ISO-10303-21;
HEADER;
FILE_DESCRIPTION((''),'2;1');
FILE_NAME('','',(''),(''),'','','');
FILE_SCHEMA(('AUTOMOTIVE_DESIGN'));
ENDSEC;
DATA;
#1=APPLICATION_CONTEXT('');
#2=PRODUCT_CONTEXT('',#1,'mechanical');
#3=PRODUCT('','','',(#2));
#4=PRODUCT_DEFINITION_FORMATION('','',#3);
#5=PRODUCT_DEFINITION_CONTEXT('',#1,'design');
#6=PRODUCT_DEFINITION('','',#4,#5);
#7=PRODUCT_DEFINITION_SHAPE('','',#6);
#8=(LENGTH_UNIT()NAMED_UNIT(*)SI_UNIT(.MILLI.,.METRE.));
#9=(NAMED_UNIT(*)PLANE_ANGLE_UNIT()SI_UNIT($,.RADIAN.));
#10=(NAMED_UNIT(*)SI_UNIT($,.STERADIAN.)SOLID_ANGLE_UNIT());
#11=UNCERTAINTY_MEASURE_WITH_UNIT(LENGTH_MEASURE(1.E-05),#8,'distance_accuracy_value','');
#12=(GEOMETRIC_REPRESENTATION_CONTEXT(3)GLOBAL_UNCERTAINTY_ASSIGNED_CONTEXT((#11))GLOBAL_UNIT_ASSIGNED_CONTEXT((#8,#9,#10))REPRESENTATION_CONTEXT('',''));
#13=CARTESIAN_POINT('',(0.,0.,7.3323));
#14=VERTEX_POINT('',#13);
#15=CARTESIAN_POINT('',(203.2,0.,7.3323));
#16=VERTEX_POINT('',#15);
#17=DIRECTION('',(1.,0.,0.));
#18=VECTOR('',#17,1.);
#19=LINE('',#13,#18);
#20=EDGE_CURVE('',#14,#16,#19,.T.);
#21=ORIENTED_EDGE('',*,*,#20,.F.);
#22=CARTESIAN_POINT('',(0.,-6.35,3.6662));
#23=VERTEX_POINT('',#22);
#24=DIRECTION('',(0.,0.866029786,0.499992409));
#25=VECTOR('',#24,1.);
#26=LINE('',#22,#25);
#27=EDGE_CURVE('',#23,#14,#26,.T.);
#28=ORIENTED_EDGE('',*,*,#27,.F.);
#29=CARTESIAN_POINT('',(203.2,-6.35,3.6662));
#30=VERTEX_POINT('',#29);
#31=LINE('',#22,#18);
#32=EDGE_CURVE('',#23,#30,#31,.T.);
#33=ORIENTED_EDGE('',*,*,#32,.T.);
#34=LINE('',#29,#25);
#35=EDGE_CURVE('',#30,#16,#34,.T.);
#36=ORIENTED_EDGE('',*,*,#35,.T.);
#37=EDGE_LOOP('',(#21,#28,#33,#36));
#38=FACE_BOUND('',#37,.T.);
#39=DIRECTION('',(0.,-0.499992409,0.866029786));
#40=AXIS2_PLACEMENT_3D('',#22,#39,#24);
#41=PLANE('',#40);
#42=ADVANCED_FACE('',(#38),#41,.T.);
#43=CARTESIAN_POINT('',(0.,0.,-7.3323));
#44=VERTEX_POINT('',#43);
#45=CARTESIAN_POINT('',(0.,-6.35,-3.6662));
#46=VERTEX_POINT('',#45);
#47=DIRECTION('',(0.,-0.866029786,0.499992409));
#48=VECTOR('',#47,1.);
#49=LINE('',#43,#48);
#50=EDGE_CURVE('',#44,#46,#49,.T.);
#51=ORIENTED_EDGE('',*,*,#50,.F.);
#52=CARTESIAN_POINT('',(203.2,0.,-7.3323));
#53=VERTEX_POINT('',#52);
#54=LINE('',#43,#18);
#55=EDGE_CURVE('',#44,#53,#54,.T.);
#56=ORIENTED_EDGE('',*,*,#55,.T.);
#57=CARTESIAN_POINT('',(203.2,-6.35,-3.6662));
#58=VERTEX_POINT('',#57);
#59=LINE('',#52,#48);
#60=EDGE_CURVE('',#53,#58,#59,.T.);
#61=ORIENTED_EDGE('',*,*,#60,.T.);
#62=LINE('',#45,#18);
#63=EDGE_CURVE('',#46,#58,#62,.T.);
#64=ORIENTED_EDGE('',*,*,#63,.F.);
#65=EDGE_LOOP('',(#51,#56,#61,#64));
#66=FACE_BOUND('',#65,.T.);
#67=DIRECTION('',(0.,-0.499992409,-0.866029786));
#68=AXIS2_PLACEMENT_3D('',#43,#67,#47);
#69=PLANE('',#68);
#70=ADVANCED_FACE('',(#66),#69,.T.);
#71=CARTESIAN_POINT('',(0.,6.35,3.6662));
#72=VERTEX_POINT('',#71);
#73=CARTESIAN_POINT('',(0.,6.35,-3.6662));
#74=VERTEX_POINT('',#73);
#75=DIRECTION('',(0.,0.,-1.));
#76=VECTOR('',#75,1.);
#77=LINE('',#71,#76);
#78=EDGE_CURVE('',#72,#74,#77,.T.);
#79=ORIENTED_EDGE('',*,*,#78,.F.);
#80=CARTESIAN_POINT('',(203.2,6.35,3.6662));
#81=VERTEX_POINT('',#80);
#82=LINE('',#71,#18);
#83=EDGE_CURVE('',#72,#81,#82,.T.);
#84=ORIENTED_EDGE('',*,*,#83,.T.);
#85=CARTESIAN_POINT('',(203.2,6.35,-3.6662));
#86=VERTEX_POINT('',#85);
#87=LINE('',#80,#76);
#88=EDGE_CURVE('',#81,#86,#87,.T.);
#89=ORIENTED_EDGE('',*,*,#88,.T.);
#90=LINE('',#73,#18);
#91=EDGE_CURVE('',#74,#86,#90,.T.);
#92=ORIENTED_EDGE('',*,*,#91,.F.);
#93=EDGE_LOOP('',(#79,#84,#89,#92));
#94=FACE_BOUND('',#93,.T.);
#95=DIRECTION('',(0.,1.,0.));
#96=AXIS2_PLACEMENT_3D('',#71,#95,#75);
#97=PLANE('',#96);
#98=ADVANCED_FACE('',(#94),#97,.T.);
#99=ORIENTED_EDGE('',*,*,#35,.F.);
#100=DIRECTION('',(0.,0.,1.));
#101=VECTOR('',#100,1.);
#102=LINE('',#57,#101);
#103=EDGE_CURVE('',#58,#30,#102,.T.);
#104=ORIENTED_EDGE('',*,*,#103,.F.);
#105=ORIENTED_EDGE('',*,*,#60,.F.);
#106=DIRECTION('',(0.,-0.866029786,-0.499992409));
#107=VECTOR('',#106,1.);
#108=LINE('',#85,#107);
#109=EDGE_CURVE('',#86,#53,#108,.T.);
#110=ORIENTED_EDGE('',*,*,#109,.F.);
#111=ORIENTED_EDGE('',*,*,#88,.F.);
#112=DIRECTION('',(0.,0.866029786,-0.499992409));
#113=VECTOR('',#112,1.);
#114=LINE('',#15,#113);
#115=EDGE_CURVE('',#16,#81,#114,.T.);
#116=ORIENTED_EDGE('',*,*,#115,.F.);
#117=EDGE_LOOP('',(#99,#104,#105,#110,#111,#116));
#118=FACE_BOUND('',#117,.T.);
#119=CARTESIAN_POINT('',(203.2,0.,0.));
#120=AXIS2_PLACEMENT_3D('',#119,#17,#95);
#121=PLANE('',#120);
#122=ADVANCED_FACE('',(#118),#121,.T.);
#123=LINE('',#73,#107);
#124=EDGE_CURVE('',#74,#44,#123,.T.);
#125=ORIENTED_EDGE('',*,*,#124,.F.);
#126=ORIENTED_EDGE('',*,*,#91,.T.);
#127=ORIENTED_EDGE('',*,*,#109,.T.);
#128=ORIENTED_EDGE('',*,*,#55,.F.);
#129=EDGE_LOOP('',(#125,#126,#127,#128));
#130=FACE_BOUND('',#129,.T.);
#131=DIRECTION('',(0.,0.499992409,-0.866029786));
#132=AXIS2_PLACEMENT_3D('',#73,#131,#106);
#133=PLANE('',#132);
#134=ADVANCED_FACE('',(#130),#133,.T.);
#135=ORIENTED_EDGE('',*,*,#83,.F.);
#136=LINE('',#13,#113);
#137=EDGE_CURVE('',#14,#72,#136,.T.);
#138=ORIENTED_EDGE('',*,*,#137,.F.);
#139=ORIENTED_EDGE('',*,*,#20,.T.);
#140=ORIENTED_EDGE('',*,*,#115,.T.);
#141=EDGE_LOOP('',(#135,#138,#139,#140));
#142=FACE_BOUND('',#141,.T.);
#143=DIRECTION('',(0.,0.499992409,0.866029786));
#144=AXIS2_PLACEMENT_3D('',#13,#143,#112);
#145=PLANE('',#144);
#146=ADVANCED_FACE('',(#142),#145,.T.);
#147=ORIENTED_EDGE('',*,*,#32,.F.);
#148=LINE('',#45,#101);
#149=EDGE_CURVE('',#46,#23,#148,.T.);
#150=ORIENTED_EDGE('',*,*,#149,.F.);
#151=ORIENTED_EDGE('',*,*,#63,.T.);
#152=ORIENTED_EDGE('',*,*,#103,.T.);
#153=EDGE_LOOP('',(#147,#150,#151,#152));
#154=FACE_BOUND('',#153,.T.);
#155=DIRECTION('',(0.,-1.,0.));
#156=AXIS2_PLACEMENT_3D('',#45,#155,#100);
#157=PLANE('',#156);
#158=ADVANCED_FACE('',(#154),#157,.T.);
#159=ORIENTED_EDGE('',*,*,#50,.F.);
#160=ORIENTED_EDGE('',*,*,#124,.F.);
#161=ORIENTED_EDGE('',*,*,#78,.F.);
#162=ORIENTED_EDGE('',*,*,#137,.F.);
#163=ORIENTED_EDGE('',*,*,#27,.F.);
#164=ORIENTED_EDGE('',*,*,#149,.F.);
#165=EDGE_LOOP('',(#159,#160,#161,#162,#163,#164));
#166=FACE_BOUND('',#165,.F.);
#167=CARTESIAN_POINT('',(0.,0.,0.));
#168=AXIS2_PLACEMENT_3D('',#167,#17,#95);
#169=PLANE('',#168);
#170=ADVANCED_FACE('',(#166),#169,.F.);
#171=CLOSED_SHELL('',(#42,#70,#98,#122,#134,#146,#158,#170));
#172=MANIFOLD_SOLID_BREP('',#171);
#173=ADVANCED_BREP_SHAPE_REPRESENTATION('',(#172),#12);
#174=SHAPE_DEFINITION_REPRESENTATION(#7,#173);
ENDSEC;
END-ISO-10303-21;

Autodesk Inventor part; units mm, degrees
ref_plane "YZ Plane" through (0, 0, 0) normal (1, 0, 0) x (0, 1, 0)
ref_plane "XZ Plane" through (0, 0, 0) normal (0, 1, 0) x (-1, 0, 0)
ref_plane "XY Plane" through (0, 0, 0) normal (0, 0, 1) x (1, 0, 0)
sketch "Sketch1" plane through (0, 0, 0) normal (1, 0, 0) x (0, 1, 0)
  line L0 (6.35, -3.6662) -> (0, -7.3323)
  line L1 (0, -7.3323) -> (-6.35, -3.6662)
  line L2 (-6.35, -3.6662) -> (-6.35, 3.6662)
  line L3 (-6.35, 3.6662) -> (0, 7.3323)
  line L4 (0, 7.3323) -> (6.35, 3.6662)
  line L5 (6.35, 3.6662) -> (6.35, -3.6662)
  point P0 (0, 0)
  point P1 (0, 0)
  dimension "d0" = 6.35
extrude "Extrusion1" add sketch "Sketch1" along normal blind 203.2
properties part number "2in hex 8in"
